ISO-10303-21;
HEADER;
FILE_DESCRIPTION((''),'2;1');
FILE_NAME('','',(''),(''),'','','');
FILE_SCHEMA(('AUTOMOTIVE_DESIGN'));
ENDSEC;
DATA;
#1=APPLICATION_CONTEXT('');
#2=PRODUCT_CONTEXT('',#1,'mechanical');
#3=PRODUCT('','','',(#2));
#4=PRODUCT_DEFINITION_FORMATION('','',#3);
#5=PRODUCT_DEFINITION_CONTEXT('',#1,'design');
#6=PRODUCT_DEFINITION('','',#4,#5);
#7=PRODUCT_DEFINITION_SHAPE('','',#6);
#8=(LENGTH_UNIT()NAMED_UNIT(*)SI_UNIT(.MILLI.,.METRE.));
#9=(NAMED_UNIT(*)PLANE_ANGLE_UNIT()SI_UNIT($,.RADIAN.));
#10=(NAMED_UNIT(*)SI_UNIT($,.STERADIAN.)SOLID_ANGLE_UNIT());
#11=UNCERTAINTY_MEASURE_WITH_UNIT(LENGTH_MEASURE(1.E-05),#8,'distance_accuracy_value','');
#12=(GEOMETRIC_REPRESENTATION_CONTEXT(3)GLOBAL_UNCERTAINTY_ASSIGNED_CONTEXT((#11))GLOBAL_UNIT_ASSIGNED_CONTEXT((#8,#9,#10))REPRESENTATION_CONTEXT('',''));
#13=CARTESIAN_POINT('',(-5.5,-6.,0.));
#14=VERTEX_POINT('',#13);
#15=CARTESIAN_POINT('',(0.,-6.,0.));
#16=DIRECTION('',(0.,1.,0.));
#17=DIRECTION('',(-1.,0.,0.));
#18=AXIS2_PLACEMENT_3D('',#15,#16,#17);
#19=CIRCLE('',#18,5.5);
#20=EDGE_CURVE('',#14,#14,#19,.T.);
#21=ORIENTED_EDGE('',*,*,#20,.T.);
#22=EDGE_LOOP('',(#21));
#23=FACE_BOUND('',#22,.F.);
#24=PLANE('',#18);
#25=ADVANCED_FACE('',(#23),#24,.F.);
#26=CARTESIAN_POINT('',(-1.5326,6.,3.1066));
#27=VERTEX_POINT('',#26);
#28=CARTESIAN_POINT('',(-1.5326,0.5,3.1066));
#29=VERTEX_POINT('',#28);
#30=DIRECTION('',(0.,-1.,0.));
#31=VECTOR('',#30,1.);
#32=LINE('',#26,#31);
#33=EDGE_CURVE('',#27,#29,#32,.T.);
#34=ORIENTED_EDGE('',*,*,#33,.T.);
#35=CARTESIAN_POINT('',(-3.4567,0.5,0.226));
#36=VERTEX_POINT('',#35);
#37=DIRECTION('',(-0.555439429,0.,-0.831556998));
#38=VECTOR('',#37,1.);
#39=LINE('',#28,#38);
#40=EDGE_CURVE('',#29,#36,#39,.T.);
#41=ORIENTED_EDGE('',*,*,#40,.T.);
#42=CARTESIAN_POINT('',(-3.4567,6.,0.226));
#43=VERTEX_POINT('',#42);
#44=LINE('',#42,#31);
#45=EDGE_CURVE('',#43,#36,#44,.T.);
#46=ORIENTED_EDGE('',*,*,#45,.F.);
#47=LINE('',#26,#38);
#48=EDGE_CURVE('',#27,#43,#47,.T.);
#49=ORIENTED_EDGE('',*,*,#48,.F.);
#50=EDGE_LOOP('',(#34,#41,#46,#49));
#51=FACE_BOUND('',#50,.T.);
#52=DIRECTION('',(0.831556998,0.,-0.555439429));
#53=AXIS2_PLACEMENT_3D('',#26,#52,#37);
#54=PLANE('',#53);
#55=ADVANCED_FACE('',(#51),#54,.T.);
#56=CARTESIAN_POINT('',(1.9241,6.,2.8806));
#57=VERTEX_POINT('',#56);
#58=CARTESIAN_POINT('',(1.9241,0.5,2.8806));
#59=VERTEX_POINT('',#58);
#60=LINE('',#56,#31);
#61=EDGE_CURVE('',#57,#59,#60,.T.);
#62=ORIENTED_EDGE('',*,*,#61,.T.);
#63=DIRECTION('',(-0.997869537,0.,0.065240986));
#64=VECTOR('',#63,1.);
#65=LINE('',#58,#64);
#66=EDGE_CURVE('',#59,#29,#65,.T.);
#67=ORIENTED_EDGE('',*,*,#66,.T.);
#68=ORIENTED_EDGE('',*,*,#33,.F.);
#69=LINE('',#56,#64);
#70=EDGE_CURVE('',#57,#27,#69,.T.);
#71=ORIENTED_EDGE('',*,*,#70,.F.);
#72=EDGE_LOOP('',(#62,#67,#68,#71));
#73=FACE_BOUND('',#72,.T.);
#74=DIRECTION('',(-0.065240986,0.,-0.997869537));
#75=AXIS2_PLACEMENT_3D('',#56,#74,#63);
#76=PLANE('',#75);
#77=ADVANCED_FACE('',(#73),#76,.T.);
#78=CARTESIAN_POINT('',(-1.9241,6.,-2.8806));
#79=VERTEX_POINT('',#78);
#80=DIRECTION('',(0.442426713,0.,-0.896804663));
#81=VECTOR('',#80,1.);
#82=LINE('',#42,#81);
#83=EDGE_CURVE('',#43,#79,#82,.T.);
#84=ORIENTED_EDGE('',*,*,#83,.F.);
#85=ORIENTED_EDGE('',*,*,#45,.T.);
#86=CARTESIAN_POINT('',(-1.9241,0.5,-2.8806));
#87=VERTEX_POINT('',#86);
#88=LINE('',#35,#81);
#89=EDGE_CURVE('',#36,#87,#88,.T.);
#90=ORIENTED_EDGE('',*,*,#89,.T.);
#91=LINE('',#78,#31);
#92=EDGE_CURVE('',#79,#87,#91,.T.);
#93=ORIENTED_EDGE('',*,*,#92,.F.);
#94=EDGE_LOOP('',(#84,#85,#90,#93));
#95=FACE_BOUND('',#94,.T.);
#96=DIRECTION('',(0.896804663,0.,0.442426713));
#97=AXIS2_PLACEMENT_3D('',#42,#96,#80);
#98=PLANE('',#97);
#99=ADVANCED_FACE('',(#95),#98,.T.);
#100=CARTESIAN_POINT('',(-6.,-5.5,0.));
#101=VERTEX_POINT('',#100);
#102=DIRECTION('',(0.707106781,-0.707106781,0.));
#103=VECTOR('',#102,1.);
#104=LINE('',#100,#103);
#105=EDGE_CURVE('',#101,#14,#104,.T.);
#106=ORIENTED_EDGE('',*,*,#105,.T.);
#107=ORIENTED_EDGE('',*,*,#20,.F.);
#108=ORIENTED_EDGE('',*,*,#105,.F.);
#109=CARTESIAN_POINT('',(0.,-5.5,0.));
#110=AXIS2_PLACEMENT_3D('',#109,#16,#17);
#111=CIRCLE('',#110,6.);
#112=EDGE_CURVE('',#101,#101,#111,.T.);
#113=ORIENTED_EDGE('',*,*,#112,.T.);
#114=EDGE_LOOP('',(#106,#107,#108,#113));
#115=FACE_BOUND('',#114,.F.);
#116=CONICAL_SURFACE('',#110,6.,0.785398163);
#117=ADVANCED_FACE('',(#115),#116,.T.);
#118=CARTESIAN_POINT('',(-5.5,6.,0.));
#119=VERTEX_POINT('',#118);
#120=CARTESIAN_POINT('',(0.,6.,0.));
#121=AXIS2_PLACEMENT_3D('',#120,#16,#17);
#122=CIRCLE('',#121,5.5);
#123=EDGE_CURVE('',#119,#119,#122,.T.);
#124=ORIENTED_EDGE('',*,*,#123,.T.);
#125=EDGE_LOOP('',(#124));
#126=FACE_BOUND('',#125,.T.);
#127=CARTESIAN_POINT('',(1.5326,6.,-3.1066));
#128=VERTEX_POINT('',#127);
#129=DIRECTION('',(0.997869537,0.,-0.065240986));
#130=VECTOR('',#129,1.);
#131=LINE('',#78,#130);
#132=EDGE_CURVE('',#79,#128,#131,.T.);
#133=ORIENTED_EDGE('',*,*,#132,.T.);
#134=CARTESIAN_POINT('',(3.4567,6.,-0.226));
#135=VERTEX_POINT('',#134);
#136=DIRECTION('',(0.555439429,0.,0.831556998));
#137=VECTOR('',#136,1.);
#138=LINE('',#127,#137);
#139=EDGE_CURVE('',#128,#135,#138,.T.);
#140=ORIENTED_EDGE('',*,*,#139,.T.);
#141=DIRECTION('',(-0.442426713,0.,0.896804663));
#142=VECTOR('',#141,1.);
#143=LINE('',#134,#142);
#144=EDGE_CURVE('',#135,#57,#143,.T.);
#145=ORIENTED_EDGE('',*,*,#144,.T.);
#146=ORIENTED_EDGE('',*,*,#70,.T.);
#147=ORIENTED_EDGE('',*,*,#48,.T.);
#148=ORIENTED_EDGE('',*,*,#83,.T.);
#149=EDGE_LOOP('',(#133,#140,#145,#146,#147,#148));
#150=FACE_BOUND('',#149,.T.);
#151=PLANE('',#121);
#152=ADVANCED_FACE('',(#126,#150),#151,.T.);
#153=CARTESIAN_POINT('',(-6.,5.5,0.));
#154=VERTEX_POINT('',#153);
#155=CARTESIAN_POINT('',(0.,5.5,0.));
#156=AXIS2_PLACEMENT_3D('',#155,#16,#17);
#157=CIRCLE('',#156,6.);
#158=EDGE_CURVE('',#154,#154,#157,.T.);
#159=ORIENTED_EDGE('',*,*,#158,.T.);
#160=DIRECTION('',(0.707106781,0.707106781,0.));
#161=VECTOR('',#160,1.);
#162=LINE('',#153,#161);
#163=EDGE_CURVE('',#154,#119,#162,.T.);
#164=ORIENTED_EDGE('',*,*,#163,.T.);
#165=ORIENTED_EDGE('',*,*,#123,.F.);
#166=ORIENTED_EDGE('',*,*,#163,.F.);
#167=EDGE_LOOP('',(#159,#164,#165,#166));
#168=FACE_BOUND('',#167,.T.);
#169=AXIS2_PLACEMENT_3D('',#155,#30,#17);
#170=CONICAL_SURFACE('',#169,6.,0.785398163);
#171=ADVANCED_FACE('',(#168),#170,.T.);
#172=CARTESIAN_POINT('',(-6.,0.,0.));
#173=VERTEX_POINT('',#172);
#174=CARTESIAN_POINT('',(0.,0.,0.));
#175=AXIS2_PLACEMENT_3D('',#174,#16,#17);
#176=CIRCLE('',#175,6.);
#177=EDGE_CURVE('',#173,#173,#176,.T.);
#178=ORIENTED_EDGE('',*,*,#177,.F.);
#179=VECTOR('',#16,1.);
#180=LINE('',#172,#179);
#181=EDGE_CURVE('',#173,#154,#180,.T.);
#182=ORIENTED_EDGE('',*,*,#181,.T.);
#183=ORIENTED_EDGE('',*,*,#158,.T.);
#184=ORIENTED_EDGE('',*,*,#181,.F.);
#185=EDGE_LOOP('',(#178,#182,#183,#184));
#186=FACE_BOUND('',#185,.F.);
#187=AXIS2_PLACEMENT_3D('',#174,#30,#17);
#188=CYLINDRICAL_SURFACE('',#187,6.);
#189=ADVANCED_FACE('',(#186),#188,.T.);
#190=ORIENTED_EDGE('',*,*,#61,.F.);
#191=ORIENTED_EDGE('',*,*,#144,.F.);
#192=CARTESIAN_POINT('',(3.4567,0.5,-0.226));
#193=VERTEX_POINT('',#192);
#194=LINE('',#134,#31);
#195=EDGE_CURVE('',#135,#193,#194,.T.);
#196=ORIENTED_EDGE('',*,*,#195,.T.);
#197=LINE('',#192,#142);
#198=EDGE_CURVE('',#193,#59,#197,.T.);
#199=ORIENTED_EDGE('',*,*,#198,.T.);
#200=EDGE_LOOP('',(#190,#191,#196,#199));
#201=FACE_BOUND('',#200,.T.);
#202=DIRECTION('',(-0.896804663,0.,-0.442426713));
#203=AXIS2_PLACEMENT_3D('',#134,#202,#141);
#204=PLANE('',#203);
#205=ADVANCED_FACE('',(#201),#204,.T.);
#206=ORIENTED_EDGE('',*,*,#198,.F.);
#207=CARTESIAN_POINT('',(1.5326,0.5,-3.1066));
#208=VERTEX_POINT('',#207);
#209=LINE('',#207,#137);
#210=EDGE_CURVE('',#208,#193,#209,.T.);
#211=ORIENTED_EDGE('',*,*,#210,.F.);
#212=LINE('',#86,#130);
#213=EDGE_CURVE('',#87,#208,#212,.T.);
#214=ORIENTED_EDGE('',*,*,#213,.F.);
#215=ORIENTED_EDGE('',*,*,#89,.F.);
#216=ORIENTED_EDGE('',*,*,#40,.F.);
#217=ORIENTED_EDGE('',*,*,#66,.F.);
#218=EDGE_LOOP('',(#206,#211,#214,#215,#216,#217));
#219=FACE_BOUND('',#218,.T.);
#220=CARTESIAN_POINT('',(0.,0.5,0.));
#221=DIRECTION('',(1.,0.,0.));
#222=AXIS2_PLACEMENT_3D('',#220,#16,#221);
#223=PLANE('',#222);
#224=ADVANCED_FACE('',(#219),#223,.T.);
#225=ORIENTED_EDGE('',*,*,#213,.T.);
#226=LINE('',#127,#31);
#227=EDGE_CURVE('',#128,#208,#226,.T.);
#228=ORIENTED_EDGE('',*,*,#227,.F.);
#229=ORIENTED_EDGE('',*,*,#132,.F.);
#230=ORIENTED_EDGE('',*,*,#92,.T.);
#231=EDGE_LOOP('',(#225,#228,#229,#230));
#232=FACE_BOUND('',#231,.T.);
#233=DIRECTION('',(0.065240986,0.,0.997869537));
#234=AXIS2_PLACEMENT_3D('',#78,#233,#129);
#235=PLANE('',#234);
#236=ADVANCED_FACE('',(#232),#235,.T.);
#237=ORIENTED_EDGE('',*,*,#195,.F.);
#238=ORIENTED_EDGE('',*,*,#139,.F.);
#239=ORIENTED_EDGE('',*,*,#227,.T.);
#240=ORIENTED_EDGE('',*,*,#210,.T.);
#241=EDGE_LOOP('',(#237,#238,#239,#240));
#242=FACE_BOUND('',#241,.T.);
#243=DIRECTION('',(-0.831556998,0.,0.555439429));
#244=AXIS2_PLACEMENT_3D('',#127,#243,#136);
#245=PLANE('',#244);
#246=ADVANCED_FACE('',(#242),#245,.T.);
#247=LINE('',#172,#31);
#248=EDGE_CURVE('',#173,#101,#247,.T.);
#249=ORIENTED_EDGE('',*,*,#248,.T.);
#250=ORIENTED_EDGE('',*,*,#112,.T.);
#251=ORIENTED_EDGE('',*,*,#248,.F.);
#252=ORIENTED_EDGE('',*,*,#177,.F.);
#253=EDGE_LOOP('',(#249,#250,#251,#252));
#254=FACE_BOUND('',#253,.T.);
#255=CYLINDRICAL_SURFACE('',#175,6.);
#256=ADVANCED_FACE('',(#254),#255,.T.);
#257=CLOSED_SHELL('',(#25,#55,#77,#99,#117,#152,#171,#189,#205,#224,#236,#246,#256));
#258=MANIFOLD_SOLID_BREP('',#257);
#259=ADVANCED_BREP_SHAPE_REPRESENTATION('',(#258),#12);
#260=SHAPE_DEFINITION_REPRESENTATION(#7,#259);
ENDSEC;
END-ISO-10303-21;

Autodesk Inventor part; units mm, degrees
ref_plane "YZ Plane" through (0, 0, 0) normal (1, 0, 0) x (0, 1, 0)
ref_plane "XZ Plane" through (0, 0, 0) normal (0, 1, 0) x (-1, 0, 0)
ref_plane "XY Plane" through (0, 0, 0) normal (0, 0, 1) x (1, 0, 0)
sketch "Sketch1" plane through (0, 0, 0) normal (0, 1, 0) x (-1, 0, 0)
  circle A0 centre (0, 0) radius 6
  dimension "d3" = 12
extrude "Extrusion1" add sketch "Sketch1" along normal mid plane 12
sketch "Sketch2" plane through (0, 6, 0) normal (0, 1, 0) x (1, 0, 0)
  line L0 (1.5326, 3.1066) -> (3.4567, 0.226)
  line L1 (3.4567, 0.226) -> (1.9241, -2.8806)
  line L2 (1.9241, -2.8806) -> (-1.5326, -3.1066)
  line L3 (-1.5326, -3.1066) -> (-3.4567, -0.226)
  line L4 (-3.4567, -0.226) -> (-1.9241, 2.8806)
  line L5 (-1.9241, 2.8806) -> (1.5326, 3.1066)
  point P0 (0, 0)
  point P1 (0, 0)
  dimension "d2" = 6
extrude "Extrusion2" cut sketch "Sketch2" against normal blind 5.5
thread "Thread1" size "M12x1.75" class "6g" standard "ANSI Metric M Profile" length 10
chamfer "Chamfer1" distance 0.5 angle 45 2 edges at (6, 6, 0) (6, -6, 0)
properties part number "M12_HEX"
